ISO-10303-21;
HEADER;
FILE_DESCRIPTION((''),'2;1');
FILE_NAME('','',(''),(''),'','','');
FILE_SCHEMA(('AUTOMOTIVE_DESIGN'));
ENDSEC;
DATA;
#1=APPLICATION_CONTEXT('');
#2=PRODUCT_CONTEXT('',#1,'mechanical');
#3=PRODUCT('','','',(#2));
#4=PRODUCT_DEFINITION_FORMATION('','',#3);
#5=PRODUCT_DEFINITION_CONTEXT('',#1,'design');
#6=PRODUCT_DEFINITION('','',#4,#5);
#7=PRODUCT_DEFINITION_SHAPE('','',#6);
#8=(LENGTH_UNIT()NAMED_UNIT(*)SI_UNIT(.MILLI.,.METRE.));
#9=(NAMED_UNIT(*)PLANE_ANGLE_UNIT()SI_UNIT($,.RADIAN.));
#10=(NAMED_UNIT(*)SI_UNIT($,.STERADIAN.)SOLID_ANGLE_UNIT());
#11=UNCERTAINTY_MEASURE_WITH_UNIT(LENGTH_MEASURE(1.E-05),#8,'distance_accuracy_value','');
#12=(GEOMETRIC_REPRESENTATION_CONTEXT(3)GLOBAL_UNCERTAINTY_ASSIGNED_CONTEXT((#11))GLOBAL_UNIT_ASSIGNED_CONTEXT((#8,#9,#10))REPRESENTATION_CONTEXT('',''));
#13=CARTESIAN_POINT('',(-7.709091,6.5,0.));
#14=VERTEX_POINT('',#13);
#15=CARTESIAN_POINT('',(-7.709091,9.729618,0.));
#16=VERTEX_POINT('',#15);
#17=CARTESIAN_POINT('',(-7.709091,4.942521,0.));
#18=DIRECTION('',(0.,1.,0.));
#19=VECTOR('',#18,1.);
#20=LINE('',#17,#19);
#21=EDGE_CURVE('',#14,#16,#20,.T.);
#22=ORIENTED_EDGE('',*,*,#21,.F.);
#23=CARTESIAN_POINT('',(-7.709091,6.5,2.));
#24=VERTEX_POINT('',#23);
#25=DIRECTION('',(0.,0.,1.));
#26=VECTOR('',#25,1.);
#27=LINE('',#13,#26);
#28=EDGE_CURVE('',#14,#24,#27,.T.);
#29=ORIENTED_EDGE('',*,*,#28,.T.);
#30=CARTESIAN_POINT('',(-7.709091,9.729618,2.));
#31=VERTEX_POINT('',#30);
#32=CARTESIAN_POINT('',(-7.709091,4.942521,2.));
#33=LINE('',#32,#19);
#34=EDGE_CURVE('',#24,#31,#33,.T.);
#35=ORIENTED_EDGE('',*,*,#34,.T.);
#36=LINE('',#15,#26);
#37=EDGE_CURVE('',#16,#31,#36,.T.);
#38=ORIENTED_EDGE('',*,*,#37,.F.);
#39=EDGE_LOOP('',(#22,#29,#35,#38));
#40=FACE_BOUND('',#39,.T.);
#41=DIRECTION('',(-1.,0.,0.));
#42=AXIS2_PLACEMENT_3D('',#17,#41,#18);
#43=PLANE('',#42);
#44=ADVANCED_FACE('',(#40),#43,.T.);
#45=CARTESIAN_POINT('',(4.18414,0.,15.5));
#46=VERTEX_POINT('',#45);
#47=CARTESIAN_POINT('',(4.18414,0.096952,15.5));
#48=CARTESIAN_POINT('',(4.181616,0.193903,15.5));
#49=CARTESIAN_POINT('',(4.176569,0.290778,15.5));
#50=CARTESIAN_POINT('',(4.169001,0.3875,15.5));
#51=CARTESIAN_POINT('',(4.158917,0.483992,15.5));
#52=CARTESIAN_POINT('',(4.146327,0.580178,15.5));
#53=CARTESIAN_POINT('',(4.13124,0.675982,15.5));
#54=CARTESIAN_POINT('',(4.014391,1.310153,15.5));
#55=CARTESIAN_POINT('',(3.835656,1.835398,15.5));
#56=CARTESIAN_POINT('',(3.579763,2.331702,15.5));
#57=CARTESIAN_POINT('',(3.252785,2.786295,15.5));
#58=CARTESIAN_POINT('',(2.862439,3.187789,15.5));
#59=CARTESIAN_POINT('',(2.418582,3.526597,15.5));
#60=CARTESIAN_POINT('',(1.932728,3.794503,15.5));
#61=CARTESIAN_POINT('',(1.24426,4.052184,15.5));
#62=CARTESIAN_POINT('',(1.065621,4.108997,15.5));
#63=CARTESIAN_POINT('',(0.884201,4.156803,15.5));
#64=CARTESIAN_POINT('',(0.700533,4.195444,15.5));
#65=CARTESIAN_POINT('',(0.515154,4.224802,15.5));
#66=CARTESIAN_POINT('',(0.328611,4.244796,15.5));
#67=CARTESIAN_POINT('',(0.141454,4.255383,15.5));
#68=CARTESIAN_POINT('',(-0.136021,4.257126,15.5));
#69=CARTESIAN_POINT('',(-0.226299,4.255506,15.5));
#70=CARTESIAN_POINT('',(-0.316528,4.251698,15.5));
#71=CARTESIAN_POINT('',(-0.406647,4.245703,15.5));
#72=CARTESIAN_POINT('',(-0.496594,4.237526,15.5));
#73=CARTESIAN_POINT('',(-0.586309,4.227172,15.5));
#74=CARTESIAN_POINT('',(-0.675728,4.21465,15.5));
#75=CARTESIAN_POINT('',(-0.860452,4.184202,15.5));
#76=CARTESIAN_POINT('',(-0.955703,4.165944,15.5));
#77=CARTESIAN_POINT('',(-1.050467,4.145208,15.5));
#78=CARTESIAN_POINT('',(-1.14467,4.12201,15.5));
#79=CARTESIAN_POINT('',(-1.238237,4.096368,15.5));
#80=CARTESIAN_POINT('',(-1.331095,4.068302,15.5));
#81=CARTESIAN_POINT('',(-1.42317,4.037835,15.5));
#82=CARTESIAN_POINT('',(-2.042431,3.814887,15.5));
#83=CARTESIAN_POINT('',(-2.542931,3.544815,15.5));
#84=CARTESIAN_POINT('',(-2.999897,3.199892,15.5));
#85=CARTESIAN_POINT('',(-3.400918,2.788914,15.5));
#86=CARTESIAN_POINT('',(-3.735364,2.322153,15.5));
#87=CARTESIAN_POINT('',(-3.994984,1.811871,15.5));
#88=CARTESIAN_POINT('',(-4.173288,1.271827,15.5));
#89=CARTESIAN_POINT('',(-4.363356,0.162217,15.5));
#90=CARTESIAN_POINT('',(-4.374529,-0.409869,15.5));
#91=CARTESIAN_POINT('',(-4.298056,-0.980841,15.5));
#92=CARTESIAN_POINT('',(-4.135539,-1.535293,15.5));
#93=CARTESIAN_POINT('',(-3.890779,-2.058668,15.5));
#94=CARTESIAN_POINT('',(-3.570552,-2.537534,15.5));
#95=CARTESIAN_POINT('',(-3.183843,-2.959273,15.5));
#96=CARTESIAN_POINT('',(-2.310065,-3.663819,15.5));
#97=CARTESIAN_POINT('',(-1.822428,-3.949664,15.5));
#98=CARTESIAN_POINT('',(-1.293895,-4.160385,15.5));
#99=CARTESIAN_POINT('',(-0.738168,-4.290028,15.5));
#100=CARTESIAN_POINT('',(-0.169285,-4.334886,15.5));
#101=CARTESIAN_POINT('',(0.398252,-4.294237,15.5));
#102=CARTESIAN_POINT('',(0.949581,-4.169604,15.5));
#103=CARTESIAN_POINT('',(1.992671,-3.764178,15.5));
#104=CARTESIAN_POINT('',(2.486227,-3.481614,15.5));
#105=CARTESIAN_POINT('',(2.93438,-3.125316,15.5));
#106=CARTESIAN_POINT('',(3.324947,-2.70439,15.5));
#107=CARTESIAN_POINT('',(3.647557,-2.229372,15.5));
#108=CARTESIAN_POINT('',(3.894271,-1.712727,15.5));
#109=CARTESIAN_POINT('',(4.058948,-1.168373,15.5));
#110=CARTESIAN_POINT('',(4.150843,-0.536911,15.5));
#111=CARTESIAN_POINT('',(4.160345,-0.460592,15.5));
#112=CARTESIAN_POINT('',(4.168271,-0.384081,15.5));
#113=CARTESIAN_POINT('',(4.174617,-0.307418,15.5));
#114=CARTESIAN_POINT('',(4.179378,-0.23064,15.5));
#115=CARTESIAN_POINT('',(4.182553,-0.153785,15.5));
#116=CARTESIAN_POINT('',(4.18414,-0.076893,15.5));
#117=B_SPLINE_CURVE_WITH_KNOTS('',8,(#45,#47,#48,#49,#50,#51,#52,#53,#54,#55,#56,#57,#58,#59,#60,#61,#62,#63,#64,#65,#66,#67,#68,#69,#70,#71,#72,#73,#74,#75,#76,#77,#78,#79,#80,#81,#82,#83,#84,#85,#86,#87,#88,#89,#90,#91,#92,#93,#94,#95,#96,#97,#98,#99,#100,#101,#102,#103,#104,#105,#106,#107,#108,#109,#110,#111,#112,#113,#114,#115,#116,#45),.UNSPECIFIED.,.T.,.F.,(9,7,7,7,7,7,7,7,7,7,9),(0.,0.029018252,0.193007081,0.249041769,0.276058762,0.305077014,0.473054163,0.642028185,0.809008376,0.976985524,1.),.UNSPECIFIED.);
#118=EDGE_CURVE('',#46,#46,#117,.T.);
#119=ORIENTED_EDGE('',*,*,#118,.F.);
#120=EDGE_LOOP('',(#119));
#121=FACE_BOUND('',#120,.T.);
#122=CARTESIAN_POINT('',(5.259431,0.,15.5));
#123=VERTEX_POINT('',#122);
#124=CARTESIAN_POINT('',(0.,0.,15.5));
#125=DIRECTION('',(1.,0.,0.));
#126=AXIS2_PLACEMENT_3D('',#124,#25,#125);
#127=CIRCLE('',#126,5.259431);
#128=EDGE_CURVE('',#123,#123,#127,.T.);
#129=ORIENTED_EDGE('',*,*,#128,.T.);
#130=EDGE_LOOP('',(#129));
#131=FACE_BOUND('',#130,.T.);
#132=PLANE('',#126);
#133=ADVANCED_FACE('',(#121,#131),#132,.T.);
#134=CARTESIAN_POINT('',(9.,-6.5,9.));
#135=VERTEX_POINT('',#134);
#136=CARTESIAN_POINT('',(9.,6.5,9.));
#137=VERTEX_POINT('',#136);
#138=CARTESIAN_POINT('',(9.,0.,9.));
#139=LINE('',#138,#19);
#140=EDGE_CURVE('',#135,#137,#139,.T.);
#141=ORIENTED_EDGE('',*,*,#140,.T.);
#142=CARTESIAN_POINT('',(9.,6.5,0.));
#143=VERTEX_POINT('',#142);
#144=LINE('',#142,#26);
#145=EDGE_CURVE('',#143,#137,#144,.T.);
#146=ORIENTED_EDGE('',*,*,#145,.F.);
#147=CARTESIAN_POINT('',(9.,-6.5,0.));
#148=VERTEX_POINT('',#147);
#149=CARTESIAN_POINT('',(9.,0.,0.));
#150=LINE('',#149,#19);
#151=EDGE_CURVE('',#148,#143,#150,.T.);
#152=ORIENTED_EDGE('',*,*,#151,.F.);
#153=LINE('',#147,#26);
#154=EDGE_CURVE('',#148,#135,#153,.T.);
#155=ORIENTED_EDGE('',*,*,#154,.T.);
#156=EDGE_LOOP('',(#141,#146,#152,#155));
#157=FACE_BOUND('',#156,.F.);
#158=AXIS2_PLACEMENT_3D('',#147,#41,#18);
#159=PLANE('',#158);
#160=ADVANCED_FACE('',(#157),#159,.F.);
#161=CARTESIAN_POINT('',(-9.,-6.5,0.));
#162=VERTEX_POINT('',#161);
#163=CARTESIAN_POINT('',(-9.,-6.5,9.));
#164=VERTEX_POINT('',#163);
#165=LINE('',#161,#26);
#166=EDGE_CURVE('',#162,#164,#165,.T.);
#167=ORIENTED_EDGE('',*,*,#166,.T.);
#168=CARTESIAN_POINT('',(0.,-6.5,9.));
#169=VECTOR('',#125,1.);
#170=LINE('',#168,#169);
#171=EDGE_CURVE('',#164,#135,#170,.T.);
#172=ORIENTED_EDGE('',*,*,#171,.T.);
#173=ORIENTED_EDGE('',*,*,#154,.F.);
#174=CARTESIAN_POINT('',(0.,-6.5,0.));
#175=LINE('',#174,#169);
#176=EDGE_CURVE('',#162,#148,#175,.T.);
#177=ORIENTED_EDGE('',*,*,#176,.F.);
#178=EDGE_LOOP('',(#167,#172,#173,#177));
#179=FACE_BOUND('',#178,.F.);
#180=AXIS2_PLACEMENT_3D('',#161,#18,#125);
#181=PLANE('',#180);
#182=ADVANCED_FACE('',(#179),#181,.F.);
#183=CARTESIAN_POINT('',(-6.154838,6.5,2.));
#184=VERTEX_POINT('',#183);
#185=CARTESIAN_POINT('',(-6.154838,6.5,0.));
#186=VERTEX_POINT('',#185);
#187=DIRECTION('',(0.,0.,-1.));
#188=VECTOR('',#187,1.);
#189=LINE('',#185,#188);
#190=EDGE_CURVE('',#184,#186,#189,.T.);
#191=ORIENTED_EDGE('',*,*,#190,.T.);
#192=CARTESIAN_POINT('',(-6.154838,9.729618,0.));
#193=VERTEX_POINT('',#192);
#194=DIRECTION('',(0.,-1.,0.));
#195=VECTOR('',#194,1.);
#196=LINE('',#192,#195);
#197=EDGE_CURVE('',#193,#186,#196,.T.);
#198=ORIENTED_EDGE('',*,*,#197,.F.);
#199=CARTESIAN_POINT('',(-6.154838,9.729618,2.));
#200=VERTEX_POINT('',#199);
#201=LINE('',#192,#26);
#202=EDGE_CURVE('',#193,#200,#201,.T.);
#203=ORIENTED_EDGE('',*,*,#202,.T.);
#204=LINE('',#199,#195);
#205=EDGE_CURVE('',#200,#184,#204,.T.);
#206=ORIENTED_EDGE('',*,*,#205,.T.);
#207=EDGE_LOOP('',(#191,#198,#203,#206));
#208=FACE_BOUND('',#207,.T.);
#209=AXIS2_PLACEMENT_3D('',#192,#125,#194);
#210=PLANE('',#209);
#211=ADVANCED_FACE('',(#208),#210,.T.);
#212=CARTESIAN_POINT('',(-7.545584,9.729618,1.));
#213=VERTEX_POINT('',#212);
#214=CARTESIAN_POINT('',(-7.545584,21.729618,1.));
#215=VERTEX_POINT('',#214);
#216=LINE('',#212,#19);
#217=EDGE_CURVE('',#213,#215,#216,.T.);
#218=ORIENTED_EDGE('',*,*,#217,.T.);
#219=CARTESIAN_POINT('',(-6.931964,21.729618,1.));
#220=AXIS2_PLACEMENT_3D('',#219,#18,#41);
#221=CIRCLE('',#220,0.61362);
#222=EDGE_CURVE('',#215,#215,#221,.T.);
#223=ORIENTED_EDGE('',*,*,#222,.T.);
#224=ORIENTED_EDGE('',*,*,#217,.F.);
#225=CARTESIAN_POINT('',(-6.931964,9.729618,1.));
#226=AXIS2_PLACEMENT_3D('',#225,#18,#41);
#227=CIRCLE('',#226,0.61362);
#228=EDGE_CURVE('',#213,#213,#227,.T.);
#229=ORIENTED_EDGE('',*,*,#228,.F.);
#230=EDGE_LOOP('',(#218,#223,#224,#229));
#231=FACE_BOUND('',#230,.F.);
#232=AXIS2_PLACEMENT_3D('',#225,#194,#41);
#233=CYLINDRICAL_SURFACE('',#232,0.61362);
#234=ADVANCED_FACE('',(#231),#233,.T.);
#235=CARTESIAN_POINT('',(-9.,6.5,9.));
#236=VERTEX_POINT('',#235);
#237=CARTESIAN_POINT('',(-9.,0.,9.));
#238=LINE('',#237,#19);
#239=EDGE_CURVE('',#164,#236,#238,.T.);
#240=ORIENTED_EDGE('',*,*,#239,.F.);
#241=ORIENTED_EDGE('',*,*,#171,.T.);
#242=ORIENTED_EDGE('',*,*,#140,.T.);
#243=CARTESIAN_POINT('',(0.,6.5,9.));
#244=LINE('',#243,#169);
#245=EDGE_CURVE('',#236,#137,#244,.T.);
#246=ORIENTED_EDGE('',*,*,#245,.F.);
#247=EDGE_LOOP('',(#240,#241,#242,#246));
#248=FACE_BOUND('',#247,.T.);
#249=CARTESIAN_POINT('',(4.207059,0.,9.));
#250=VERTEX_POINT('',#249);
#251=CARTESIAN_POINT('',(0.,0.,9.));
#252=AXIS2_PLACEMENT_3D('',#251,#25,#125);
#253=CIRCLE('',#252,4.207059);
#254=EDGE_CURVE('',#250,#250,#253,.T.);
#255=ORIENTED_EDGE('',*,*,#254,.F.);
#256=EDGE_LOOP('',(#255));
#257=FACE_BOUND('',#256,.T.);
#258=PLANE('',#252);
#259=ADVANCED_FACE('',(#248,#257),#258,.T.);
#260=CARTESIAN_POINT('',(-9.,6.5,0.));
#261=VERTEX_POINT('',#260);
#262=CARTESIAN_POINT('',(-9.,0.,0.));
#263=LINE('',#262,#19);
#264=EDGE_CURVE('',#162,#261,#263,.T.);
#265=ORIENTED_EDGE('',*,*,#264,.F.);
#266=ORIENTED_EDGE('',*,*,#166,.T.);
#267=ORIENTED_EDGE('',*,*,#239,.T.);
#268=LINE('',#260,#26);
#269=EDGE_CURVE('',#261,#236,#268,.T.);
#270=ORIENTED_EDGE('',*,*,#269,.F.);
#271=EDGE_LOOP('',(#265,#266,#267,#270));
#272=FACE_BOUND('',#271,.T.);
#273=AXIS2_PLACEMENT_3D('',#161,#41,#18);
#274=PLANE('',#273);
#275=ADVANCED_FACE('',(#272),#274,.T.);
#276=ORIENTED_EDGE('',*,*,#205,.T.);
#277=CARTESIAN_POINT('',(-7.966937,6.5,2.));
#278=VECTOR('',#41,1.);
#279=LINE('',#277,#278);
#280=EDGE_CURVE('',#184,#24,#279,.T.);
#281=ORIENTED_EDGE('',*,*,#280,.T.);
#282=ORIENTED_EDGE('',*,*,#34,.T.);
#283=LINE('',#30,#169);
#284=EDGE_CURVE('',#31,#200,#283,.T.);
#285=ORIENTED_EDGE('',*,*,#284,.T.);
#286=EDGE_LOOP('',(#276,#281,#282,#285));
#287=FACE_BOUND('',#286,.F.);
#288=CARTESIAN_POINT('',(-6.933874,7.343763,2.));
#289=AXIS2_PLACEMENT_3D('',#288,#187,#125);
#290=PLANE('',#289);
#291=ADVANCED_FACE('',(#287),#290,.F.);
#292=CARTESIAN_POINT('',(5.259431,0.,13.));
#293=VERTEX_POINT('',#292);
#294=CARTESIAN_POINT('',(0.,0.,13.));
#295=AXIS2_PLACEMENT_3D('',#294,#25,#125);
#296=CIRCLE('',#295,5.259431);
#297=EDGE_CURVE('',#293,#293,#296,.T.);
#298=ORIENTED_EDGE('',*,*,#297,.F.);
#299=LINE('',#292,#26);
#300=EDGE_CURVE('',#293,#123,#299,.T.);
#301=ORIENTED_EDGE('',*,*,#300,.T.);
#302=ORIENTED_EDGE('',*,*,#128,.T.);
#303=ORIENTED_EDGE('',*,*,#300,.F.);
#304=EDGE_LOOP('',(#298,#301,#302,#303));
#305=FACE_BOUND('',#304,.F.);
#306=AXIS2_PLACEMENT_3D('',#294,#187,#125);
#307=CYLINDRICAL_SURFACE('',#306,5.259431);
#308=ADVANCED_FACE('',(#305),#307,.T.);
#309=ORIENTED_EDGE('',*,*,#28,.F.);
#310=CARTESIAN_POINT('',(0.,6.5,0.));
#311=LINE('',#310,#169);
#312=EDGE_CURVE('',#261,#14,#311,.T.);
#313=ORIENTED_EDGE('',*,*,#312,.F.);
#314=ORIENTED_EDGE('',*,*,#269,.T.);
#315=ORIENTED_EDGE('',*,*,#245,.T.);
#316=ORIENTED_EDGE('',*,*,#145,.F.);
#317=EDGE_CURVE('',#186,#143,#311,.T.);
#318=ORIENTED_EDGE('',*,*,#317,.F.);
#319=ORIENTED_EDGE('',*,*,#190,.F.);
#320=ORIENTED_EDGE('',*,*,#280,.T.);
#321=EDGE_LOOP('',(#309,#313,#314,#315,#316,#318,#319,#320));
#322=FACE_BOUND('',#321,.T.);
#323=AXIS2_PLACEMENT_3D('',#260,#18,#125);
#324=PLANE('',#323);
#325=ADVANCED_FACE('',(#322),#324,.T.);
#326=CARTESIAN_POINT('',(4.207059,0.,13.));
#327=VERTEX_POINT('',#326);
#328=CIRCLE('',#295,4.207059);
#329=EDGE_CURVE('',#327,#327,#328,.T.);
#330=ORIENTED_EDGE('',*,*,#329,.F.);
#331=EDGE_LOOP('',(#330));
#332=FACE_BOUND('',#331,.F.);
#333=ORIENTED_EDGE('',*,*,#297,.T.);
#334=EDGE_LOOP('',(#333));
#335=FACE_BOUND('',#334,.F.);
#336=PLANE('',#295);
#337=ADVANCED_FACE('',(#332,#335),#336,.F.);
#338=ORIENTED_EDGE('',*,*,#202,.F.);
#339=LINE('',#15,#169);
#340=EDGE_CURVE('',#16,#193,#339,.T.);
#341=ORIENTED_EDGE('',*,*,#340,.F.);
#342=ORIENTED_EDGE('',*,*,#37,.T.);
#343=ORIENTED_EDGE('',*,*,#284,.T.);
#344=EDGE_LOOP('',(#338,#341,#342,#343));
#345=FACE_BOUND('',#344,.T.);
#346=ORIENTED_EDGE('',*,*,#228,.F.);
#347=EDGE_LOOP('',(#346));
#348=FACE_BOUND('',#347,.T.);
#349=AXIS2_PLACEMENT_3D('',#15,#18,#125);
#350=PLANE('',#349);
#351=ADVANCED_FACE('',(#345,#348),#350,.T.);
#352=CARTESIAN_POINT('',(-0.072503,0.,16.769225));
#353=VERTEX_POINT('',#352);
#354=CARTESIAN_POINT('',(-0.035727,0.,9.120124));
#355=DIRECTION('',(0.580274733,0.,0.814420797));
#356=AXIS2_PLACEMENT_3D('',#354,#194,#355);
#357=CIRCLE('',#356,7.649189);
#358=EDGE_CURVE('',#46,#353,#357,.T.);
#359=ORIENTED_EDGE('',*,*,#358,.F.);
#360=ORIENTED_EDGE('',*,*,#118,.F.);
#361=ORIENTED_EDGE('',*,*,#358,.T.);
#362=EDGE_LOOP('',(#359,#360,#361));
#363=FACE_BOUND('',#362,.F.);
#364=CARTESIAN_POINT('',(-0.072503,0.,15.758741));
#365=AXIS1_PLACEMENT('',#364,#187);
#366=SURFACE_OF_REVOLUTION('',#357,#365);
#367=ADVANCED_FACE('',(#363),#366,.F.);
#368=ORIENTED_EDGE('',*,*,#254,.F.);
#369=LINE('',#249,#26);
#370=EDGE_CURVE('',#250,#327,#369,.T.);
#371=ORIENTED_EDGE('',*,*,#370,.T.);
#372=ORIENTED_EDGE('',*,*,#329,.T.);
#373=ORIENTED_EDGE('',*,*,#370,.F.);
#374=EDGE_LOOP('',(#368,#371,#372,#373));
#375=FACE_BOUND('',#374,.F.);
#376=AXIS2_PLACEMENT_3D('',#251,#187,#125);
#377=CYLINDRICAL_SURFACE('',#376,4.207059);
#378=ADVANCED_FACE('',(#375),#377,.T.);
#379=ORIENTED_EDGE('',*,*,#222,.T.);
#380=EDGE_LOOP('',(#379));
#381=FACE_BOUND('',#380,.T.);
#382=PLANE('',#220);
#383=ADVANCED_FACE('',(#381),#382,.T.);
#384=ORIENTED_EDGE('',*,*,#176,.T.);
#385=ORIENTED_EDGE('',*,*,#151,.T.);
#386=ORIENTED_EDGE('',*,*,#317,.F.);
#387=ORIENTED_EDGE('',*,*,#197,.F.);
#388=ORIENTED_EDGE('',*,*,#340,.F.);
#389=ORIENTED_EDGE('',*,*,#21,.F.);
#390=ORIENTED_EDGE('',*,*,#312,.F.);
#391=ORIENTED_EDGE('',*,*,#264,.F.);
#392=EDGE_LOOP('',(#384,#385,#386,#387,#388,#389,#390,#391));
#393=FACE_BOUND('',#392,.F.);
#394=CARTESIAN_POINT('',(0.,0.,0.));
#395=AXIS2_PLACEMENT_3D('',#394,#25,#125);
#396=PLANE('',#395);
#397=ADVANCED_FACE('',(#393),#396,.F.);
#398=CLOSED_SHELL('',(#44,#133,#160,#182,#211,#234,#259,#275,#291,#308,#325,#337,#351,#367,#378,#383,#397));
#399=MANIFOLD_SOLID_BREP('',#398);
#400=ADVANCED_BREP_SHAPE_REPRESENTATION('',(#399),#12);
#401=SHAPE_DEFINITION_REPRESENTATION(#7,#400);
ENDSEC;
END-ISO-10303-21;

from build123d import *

# Parameters (mm, degrees)
F0_W     = 18
F0_H     = 13
F1_DEPTH = 9
F2_R     = 4.207059
F3_DEPTH = 4
F4_R     = 5.259431
F5_DEPTH = 2.5
F7_DEPTH = 2
F8_R     = 0.61362
F9_DEPTH = 12


with BuildPart() as f1:
    # F0 (on Top) → F1 (new body)
    with BuildSketch(Plane.XY):
        Rectangle(F0_W, F0_H)
    extrude(amount=F1_DEPTH)

    # F2 (on face) → F3 (join)
    with BuildSketch(Plane.XY.offset(9)):
        Circle(F2_R)
    extrude(amount=F3_DEPTH)

    # F4 (on face) → F5 (join)
    with BuildSketch(Plane.XY.offset(13)):
        Circle(F4_R)
    extrude(amount=F5_DEPTH)

    # F6 (on face) → F7 (join)
    with BuildSketch(Plane(origin=(0, 0, 0), x_dir=(1, 0, 0), z_dir=(0, 0, -1))):
        Polygon((-6.154838, -4.973606), (-7.709091, -4.942521), (-7.709091, -9.729618), (-6.154838, -9.729618), align=None)
    extrude(amount=-F7_DEPTH)

    # F8 (on face) → F9 (join)
    with BuildSketch(Plane(origin=(0, 9.729618, 0), x_dir=(-1, 0, 0), z_dir=(0, 1, 0))):
        with Locations((6.931964, 1)):
            Circle(F8_R)
    extrude(amount=F9_DEPTH)

    # F10 (on Front) → F11 (revolve)
    with BuildSketch(Plane.XZ):
        with BuildLine():
            Line((4.402904, 14.748257), (4.402904, 15.349783))
            ThreePointArc((4.402904, 15.349783), (2.276801, 16.411373), (-0.072503, 16.769225))
            Line((-0.072503, 16.769225), (-0.072503, 14.748257))
            Line((-0.072503, 14.748257), (4.402904, 14.748257))
        make_face()
    revolve(axis=Axis((-0.072503, 0, 15.758741), (0, 0, -1)))


solid = f1.part
